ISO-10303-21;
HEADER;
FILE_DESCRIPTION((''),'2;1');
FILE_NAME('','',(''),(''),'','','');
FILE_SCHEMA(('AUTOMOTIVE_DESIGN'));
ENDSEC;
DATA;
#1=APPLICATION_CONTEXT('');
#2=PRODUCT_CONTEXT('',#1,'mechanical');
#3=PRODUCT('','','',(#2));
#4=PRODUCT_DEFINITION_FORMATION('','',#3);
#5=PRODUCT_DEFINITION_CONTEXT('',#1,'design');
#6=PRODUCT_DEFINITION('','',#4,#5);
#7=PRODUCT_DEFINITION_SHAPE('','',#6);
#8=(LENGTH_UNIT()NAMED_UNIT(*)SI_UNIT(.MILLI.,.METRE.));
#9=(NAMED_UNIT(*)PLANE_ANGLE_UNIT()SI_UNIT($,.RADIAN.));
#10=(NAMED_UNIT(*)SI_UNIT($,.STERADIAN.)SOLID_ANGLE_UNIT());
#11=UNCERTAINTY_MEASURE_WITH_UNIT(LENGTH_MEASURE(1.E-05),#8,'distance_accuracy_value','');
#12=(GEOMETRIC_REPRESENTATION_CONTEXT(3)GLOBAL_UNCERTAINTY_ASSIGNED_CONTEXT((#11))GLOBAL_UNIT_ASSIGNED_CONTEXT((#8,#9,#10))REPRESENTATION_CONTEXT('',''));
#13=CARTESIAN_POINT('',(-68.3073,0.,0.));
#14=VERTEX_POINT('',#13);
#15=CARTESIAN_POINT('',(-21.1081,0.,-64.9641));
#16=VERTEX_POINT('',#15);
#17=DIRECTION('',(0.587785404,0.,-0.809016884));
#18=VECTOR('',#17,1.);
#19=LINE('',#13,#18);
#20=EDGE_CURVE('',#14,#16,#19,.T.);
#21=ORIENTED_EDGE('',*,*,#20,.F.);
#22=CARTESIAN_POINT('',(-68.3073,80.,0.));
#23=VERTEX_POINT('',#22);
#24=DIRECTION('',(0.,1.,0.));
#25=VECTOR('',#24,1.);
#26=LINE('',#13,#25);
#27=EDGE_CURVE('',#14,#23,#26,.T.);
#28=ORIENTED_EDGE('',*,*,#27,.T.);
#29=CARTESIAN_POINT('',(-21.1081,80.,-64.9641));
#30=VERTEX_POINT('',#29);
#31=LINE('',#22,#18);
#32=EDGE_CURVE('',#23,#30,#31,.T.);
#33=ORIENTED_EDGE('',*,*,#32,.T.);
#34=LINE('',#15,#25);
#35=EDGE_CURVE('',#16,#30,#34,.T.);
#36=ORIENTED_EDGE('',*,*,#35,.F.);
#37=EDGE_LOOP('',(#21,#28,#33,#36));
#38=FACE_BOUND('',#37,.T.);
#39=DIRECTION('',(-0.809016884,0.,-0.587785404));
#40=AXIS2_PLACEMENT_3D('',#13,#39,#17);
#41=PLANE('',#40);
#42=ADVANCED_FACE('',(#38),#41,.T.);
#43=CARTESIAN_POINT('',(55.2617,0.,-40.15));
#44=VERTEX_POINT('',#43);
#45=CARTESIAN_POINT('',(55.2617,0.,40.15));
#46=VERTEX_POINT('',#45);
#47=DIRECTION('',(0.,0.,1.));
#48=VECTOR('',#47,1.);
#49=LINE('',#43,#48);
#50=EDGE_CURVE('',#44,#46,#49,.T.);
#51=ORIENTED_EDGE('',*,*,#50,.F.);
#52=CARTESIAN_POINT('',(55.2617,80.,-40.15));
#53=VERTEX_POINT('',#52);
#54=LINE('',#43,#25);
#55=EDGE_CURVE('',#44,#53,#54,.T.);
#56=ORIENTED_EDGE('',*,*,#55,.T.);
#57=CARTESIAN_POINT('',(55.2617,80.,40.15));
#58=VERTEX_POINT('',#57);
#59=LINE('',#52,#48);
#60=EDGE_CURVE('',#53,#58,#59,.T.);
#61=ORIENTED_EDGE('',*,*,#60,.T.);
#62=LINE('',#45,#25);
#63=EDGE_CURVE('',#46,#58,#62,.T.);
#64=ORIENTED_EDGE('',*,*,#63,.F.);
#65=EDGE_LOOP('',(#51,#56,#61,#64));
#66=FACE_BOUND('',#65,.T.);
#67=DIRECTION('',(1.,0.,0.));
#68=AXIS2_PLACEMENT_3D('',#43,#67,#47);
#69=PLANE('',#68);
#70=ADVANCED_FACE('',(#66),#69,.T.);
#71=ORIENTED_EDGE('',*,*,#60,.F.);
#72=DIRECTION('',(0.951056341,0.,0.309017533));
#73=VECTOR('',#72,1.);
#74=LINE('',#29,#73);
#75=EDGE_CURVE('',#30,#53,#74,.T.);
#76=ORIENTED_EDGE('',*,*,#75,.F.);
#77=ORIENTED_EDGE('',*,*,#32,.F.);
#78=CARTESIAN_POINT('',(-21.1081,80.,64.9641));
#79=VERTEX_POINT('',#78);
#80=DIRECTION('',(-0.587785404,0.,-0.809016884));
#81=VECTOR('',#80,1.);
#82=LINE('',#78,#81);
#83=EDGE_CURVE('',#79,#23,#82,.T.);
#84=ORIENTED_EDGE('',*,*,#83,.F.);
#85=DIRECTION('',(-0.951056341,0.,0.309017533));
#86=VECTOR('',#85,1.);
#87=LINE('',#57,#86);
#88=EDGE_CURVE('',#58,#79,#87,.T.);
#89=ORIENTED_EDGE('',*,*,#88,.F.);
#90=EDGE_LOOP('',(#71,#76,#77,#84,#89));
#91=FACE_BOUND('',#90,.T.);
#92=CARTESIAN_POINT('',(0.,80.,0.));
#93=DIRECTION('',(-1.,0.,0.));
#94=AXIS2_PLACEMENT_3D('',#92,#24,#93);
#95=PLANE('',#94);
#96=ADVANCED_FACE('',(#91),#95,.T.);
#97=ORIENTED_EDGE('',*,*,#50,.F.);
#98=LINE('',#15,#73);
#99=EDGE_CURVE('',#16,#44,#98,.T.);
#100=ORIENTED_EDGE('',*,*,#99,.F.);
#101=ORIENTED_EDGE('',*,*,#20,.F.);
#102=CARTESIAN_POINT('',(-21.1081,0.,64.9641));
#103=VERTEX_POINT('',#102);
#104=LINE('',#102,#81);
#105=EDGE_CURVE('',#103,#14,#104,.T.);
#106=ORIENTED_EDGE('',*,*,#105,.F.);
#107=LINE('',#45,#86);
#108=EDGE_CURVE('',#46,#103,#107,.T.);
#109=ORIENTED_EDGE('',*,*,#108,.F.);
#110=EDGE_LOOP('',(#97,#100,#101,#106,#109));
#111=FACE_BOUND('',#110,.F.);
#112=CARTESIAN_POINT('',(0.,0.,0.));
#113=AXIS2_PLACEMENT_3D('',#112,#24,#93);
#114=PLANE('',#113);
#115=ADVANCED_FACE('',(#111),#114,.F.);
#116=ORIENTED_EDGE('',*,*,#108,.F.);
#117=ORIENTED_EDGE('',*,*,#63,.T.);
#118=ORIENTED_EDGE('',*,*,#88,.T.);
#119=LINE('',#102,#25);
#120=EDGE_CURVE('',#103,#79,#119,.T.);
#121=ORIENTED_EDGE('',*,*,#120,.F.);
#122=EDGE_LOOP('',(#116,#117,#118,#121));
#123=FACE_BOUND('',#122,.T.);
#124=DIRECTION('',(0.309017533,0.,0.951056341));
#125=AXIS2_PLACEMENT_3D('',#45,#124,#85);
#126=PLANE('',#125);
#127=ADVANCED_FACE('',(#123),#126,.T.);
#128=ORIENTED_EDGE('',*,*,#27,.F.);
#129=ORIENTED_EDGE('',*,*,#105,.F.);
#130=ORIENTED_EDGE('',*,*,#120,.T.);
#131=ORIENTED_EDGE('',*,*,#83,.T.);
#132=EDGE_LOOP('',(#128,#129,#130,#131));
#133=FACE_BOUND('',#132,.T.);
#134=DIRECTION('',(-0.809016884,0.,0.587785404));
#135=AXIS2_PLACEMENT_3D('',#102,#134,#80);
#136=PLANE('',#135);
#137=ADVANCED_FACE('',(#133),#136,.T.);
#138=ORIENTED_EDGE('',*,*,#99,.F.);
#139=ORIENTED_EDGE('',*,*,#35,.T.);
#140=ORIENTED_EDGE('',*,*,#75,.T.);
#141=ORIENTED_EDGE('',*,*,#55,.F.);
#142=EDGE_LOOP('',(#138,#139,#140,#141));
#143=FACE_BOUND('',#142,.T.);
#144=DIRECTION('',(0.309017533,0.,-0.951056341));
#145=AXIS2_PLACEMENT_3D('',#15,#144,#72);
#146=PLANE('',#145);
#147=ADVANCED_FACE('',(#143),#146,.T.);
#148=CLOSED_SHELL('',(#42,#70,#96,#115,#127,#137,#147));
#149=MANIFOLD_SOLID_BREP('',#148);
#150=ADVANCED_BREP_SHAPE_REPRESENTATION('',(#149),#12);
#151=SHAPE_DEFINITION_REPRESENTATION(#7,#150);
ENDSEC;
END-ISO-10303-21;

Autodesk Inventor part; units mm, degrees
ref_plane "YZ Plane" through (0, 0, 0) normal (1, 0, 0) x (0, 1, 0)
ref_plane "XZ Plane" through (0, 0, 0) normal (0, 1, 0) x (-1, 0, 0)
ref_plane "XY Plane" through (0, 0, 0) normal (0, 0, 1) x (1, 0, 0)
sketch "草图1" plane through (0, 0, 0) normal (0, 1, 0) x (-1, 0, 0)
  line L0 (68.3073, 0) -> (21.1081, -64.9641)
  line L1 (21.1081, -64.9641) -> (-55.2617, -40.15)
  line L2 (-55.2617, -40.15) -> (-55.2617, 40.15)
  line L3 (-55.2617, 40.15) -> (21.1081, 64.9641)
  line L4 (21.1081, 64.9641) -> (68.3073, 0)
  point P0 (0, 0)
  point P1 (0, 0)
  point P2 (0, 0)
  point P3 (0, 0)
  dimension "d0" = 80.3
extrude "拉伸1" add sketch "草图1" along normal blind 80
properties part number "土壤"
